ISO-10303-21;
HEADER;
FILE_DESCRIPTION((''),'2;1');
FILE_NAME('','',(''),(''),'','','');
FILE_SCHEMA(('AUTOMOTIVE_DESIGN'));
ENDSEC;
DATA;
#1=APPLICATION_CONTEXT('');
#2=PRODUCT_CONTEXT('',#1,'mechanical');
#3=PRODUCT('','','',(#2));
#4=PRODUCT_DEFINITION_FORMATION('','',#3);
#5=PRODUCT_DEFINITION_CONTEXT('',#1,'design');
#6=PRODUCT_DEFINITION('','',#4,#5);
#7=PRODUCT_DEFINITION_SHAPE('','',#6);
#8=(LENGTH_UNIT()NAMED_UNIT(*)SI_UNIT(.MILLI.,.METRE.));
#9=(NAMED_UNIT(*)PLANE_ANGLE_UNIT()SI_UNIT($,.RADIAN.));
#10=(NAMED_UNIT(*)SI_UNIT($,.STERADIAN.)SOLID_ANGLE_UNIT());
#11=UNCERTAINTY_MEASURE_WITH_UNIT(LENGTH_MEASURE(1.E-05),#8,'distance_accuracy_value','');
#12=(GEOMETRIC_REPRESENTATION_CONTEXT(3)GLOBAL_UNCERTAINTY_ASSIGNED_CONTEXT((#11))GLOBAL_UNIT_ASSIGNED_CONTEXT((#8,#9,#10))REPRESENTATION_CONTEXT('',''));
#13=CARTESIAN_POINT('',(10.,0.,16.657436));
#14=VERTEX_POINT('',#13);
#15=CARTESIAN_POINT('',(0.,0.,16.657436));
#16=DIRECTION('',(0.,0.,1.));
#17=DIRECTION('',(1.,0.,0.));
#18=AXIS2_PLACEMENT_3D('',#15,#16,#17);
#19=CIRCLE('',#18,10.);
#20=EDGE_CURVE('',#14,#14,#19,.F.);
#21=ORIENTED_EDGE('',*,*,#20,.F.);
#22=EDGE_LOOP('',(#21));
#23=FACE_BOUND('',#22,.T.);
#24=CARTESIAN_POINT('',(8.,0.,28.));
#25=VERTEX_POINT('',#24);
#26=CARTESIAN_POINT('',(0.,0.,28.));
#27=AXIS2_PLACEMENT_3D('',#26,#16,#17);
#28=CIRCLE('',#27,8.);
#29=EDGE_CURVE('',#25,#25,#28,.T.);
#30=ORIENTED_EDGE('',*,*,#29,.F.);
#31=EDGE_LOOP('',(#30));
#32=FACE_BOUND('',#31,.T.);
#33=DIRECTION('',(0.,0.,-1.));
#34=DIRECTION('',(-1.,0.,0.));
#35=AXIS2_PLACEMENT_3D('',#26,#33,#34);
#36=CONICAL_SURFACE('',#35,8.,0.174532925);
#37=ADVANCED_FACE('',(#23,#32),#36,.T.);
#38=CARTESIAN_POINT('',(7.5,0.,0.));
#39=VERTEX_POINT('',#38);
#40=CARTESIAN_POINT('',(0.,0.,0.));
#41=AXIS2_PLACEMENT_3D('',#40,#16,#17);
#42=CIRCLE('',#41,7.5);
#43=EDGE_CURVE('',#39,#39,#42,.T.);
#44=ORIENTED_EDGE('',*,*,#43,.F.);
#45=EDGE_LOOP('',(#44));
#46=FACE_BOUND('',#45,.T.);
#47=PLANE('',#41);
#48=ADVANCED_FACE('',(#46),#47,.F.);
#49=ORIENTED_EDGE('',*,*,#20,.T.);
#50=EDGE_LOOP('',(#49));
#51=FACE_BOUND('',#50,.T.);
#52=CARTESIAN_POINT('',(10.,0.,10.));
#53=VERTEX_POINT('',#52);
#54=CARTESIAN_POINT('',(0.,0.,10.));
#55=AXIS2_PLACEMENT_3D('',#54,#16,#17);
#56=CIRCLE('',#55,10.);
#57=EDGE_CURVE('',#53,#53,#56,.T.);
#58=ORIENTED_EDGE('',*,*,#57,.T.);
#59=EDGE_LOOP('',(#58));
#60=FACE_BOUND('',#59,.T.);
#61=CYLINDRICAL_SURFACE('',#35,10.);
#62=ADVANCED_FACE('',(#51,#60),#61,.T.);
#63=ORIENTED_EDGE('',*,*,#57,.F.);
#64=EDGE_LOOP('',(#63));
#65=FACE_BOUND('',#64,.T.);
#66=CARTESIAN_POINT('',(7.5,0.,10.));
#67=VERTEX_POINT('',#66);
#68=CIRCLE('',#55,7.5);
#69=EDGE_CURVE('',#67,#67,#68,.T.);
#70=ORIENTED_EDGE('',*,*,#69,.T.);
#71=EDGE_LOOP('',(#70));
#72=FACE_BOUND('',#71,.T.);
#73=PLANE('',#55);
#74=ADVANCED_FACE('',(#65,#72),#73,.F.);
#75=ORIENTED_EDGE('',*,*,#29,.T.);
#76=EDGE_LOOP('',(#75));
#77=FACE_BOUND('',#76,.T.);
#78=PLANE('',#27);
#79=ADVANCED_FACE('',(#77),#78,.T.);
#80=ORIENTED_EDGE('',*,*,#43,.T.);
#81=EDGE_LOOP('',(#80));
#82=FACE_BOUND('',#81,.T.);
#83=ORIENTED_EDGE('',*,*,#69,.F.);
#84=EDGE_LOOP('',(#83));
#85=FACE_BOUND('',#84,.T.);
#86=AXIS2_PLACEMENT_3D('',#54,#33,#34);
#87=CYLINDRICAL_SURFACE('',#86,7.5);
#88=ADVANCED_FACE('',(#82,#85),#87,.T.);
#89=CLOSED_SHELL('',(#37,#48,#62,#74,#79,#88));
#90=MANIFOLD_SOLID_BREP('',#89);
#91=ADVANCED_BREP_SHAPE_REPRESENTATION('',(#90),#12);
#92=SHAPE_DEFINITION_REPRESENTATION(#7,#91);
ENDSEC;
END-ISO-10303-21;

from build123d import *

# Parameters (mm, degrees)
SKETCH1_R           = 7.5
BOSS_EXTRUDE1_DEPTH = 10
SKETCH2_R           = 10
BOSS_EXTRUDE2_DEPTH = 18
CHAMFER1_SIZE       = 2
CHAMFER1_SIZE2      = 11.342563639


with BuildPart() as part:
    # Sketch1 → Boss-Extrude1 (new body)
    with BuildSketch(Plane.XY):
        Circle(SKETCH1_R)
    extrude(amount=BOSS_EXTRUDE1_DEPTH)

    # Sketch2 → Boss-Extrude2 (add)
    with BuildSketch(Plane.XY.offset(10)):
        Circle(SKETCH2_R)
    extrude(amount=BOSS_EXTRUDE2_DEPTH)

    # Chamfer1
    chamfer1_edges = [part.edges().sort_by_distance(p)[0] for p in [
        (-10, 0, 28),
    ]]
    chamfer1_side = [part.faces().sort_by_distance(p)[0] for p in [
        (0, 0, 28),
    ]]
    chamfer(chamfer1_edges, length=CHAMFER1_SIZE, length2=CHAMFER1_SIZE2, reference=chamfer1_side[0])


solid = part.part
